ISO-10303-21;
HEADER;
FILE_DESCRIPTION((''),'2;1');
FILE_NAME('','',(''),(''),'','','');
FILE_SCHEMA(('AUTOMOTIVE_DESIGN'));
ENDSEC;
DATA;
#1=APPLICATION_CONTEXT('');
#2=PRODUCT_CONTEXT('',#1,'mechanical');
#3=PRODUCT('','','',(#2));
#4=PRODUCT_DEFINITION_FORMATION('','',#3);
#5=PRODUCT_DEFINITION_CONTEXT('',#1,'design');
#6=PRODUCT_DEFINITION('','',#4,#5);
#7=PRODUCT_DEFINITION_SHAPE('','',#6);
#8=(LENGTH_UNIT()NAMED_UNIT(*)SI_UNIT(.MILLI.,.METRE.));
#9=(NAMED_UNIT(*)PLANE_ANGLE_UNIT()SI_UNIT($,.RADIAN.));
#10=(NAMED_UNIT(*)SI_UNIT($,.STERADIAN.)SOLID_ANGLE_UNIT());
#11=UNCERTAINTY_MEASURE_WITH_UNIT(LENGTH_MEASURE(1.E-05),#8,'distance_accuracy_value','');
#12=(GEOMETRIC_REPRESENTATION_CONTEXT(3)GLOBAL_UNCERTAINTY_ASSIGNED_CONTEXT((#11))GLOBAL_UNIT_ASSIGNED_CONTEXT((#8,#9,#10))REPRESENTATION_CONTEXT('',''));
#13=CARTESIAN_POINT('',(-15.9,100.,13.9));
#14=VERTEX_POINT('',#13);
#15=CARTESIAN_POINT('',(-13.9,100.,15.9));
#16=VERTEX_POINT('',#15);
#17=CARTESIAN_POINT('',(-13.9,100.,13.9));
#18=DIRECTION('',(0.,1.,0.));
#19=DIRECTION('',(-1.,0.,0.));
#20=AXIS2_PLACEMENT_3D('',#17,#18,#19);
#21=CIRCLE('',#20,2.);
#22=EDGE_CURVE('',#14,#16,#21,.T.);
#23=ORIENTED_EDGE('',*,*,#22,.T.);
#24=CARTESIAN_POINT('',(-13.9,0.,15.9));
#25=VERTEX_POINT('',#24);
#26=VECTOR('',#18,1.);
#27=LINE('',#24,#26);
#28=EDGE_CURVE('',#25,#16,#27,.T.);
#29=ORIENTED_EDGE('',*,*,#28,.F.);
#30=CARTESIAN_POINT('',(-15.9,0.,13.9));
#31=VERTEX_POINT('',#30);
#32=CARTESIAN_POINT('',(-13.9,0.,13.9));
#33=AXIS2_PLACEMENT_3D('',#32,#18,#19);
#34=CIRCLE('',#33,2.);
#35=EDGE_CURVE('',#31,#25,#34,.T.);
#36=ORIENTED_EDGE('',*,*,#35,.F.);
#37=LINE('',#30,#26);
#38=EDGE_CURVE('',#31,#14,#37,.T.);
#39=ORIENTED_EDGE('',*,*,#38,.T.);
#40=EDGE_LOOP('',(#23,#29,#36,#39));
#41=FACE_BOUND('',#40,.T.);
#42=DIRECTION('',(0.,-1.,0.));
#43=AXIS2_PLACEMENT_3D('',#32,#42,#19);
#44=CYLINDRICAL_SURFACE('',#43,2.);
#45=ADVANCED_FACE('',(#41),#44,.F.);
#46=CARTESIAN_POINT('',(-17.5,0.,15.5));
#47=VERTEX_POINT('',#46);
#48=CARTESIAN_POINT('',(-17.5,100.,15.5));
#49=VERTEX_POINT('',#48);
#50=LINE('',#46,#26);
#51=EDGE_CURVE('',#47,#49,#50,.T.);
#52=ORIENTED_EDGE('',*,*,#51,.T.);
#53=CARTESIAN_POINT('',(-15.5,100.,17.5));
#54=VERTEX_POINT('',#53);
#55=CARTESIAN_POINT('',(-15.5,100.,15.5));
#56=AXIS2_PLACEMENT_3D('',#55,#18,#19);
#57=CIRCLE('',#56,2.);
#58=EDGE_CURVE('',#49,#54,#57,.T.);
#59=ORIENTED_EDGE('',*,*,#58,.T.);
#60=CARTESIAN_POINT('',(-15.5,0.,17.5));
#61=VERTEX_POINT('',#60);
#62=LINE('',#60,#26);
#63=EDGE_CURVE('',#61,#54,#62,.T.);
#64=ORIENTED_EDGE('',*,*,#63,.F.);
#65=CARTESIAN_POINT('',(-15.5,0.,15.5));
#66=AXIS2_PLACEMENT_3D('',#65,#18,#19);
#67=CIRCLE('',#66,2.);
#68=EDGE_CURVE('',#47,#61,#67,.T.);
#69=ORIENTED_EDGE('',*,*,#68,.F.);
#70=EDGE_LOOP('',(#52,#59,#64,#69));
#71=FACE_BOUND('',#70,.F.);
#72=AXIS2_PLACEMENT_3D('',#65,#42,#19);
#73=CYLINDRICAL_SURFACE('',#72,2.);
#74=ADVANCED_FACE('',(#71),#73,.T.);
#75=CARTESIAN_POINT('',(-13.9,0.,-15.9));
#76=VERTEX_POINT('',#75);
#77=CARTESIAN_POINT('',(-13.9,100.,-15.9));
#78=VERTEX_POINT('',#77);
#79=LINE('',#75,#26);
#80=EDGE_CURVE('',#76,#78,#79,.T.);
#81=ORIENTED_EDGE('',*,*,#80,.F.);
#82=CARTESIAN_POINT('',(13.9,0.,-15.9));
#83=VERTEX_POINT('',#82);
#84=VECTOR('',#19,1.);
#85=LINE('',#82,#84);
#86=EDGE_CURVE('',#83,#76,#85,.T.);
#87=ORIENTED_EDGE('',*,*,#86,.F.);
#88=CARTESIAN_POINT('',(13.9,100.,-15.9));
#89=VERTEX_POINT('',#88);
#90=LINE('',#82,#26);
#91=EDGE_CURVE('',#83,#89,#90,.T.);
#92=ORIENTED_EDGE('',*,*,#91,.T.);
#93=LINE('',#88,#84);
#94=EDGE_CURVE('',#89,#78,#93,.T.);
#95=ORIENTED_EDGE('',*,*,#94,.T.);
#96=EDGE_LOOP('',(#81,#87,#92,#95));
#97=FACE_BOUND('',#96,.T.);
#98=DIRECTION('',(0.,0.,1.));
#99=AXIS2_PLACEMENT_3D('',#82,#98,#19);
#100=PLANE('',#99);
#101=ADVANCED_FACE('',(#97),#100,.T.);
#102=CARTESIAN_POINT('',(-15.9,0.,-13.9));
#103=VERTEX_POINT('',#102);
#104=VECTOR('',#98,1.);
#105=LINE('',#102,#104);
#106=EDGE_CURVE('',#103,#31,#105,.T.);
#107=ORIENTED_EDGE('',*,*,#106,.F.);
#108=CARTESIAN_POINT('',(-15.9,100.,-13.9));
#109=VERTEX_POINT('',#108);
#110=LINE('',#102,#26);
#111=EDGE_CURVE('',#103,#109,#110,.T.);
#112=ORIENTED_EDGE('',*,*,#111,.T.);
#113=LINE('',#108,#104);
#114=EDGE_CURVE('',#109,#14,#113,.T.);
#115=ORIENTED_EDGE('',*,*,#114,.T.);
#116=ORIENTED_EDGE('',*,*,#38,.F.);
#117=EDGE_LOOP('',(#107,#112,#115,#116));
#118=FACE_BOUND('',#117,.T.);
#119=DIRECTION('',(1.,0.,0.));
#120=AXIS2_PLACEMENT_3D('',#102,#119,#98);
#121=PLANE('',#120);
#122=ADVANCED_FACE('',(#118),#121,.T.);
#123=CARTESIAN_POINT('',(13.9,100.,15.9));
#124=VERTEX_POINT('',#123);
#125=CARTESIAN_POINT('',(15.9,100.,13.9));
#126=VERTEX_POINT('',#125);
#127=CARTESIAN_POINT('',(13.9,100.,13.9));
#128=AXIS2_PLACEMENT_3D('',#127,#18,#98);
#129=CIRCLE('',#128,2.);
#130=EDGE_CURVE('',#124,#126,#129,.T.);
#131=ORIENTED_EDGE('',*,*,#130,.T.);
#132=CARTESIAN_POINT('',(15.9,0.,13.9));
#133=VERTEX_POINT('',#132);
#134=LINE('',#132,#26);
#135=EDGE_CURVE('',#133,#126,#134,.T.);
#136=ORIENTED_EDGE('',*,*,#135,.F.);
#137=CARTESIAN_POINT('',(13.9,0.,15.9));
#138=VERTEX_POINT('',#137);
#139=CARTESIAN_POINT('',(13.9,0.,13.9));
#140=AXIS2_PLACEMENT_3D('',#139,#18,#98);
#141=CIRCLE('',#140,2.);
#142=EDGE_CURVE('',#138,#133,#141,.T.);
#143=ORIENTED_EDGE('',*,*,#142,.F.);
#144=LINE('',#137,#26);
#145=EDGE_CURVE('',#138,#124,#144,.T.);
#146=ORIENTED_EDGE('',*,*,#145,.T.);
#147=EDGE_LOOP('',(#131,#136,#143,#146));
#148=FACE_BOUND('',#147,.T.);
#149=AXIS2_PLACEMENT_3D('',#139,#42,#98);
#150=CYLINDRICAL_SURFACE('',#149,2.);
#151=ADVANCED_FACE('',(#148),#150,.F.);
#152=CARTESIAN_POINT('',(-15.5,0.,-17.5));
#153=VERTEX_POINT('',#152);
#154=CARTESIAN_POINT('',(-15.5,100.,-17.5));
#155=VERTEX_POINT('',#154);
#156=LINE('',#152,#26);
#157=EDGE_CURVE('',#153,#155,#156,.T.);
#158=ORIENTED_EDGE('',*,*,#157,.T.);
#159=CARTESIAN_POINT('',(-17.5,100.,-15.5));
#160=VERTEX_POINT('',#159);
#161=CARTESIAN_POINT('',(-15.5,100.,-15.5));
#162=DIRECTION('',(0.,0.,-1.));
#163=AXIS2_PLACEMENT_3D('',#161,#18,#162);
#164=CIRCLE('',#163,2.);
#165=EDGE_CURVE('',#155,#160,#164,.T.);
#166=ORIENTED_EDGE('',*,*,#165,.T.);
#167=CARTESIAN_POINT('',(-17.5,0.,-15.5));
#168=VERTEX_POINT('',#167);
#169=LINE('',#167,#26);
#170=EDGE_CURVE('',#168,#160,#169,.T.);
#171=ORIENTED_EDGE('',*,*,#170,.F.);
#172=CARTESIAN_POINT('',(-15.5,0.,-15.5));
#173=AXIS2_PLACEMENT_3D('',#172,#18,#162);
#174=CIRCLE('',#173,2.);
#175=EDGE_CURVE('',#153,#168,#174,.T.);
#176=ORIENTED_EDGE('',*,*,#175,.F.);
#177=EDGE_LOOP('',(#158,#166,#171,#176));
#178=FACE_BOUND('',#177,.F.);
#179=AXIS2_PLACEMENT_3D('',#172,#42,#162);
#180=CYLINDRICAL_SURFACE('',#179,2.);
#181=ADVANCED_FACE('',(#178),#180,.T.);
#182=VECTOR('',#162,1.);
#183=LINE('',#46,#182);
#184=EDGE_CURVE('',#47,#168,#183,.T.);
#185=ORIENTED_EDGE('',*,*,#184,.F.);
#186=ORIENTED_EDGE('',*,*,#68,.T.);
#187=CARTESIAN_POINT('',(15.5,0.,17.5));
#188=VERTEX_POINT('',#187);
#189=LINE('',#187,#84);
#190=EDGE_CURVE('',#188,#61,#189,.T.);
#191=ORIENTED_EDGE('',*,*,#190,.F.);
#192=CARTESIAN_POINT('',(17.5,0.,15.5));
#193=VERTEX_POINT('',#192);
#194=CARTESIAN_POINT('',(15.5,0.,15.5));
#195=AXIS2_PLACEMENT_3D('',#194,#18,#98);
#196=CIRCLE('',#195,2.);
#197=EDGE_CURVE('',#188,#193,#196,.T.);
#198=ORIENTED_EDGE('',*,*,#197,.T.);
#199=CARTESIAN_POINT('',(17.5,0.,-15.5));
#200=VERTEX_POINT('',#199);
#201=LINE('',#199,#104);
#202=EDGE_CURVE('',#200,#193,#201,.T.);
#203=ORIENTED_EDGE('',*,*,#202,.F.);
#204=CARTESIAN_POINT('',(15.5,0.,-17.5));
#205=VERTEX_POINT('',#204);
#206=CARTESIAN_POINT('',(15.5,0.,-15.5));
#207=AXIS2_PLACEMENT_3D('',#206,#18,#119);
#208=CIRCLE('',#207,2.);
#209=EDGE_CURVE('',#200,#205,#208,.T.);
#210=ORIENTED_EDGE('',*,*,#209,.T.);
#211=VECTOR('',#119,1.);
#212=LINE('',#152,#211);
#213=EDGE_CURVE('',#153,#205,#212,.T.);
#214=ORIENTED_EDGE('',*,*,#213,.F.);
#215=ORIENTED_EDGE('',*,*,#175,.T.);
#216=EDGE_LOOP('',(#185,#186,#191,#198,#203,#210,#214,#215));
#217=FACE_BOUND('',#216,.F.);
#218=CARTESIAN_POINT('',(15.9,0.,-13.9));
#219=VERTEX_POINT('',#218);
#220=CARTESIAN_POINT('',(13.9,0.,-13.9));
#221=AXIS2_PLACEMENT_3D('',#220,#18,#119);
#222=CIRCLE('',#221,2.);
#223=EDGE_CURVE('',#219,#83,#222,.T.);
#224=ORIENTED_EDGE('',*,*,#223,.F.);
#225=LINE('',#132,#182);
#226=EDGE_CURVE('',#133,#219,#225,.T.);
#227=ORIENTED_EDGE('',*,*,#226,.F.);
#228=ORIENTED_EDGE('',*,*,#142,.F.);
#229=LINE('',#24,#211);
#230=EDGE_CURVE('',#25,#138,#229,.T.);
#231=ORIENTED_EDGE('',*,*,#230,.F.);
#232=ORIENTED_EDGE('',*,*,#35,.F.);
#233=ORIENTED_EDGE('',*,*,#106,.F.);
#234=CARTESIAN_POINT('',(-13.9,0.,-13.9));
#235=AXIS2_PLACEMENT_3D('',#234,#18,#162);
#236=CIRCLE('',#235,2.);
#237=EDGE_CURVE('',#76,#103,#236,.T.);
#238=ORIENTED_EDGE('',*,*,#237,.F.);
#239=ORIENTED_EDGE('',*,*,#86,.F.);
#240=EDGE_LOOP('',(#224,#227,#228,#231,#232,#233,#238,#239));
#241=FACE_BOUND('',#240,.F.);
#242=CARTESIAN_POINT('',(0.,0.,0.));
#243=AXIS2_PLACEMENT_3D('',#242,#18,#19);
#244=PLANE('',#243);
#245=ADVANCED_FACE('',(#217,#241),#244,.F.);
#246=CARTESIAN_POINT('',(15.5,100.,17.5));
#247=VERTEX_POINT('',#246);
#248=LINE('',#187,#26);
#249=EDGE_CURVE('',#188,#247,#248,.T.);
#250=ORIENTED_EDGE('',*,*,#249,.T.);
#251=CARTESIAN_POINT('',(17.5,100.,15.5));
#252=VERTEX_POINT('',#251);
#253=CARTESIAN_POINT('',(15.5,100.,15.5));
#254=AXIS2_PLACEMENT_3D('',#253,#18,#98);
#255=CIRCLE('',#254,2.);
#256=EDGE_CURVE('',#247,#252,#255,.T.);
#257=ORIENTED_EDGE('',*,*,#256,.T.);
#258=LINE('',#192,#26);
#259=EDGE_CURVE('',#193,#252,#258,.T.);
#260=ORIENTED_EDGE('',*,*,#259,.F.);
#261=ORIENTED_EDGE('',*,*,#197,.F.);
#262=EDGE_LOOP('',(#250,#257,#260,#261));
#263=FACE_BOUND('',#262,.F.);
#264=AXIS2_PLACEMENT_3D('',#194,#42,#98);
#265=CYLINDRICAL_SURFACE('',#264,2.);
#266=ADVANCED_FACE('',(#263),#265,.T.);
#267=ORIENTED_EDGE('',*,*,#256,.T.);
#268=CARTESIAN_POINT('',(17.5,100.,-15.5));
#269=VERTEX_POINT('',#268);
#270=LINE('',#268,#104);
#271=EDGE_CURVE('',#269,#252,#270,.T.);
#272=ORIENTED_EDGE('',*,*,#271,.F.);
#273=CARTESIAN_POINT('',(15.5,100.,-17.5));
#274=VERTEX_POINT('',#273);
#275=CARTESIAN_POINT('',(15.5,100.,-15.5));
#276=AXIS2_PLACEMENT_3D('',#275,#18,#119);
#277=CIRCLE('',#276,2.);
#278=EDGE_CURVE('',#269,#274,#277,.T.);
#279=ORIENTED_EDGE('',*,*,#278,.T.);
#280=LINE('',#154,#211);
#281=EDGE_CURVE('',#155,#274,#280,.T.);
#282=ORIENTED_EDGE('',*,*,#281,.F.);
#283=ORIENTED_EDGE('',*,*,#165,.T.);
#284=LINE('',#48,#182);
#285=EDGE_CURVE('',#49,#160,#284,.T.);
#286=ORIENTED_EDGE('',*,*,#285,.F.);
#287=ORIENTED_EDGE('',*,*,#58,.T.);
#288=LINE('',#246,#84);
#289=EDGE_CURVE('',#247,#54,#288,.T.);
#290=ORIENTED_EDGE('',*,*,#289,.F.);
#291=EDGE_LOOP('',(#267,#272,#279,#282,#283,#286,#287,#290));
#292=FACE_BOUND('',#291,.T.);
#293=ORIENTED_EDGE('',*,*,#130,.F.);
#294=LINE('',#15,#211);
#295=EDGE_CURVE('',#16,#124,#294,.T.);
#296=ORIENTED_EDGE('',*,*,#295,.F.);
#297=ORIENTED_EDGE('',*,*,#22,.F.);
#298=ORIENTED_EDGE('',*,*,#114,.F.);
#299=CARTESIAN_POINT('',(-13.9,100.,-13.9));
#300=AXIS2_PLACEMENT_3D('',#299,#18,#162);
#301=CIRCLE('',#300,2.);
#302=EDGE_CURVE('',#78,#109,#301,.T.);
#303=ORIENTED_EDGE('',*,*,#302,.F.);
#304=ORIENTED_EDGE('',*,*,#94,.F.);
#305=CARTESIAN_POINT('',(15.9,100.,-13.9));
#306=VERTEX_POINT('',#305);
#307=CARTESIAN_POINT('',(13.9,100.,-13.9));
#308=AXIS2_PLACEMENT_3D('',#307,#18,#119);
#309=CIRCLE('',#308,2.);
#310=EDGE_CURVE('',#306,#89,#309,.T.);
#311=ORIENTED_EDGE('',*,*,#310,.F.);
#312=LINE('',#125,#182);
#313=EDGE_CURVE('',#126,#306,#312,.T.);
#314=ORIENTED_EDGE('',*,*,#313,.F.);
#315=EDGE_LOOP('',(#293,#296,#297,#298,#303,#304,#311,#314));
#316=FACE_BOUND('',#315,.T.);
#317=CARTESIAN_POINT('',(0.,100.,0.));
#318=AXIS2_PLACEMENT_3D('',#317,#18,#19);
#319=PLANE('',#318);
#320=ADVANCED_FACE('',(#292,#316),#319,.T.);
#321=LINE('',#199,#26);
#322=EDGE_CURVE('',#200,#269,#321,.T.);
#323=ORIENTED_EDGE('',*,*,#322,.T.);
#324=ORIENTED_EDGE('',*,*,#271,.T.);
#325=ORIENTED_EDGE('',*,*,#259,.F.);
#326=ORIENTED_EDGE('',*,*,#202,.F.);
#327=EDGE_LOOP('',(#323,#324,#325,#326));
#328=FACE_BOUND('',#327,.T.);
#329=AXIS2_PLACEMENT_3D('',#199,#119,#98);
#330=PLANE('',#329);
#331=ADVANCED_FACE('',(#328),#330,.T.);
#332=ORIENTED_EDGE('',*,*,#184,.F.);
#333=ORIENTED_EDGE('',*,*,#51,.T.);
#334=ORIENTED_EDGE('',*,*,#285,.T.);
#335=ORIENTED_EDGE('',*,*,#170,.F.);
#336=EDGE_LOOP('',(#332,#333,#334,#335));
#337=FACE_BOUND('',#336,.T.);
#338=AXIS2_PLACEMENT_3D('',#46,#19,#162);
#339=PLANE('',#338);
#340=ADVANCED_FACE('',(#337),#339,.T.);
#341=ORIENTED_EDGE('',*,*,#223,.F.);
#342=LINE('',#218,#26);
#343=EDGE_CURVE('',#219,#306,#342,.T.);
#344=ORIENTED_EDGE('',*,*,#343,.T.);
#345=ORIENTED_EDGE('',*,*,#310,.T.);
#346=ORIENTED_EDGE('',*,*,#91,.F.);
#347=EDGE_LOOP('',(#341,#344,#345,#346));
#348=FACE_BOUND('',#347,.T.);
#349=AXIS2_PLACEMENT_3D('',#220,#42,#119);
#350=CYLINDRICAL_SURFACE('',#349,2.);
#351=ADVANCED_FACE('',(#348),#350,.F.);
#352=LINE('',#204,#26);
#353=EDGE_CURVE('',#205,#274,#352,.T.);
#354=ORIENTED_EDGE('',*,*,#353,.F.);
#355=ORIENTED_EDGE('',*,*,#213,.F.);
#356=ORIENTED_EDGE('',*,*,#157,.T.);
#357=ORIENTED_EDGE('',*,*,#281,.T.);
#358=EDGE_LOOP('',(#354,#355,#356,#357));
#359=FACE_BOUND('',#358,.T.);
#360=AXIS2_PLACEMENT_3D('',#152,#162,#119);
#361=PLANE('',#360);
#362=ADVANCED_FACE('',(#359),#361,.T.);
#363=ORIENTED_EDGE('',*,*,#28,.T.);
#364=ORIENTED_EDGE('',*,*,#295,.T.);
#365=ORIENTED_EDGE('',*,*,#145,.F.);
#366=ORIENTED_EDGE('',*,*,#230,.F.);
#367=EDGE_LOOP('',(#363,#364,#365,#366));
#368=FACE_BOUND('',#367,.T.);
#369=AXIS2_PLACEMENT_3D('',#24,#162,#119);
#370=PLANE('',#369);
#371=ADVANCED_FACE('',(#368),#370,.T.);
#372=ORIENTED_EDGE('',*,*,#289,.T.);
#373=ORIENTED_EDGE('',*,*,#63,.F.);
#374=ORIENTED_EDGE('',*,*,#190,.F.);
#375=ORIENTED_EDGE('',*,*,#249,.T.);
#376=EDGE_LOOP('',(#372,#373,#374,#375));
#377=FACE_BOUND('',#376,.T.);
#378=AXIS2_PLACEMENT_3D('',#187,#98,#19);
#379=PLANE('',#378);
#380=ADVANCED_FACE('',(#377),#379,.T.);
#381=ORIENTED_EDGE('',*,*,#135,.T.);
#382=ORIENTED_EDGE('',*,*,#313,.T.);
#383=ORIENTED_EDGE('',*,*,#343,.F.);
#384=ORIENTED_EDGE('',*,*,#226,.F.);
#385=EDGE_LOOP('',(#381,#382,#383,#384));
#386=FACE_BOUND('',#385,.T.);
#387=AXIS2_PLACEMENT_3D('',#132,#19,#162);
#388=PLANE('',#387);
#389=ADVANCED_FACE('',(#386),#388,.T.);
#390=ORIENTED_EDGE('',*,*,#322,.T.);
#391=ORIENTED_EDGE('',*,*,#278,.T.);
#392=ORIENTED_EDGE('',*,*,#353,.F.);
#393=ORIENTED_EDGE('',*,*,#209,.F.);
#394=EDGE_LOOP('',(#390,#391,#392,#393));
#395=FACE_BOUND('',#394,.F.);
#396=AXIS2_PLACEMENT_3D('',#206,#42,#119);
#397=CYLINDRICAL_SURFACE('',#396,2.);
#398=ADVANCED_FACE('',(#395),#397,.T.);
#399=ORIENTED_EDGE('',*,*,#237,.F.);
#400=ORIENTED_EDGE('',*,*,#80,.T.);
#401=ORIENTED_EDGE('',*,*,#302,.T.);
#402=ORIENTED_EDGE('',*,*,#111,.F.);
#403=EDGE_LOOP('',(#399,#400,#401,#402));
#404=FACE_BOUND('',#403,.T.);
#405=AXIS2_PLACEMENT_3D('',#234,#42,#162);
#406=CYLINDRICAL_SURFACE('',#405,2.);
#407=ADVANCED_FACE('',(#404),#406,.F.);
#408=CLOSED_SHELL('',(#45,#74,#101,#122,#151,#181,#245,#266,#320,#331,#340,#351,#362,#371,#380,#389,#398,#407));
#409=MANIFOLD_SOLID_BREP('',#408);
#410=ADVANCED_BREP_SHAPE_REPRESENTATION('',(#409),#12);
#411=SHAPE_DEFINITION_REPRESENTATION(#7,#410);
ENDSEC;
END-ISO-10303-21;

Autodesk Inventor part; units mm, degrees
ref_plane "YZ Plane" through (0, 0, 0) normal (1, 0, 0) x (0, 1, 0)
ref_plane "XZ Plane" through (0, 0, 0) normal (0, 1, 0) x (-1, 0, 0)
ref_plane "XY Plane" through (0, 0, 0) normal (0, 0, 1) x (1, 0, 0)
sketch "Sketch1" plane through (0, 0, 0) normal (0, 1, 0) x (-1, 0, 0)
  line L0 (-15.5, 17.5) -> (15.5, 17.5)
  line L1 (17.5, 15.5) -> (17.5, -15.5)
  line L2 (15.5, -17.5) -> (-15.5, -17.5)
  line L3 (-17.5, -15.5) -> (-17.5, 15.5)
  line L4 (-17.5, 17.5) -> (17.5, -17.5) construction
  line L5 (17.5, 17.5) -> (-17.5, -17.5) construction
  line L6 (-13.9, -15.9) -> (13.9, -15.9)
  line L7 (15.9, -13.9) -> (15.9, 13.9)
  line L8 (13.9, 15.9) -> (-13.9, 15.9)
  line L9 (-15.9, 13.9) -> (-15.9, -13.9)
  arc A0 (17.5, 15.5) -> (15.5, 17.5) centre (15.5, 15.5) ccw
  arc A1 (15.5, -17.5) -> (17.5, -15.5) centre (15.5, -15.5) ccw
  arc A2 (-17.5, -15.5) -> (-15.5, -17.5) centre (-15.5, -15.5) ccw
  arc A3 (-15.5, 17.5) -> (-17.5, 15.5) centre (-15.5, 15.5) ccw
  arc A4 (15.9, 13.9) -> (13.9, 15.9) centre (13.9, 13.9) ccw
  arc A5 (13.9, -15.9) -> (15.9, -13.9) centre (13.9, -13.9) ccw
  arc A6 (-15.9, -13.9) -> (-13.9, -15.9) centre (-13.9, -13.9) ccw
  arc A7 (-13.9, 15.9) -> (-15.9, 13.9) centre (-13.9, 13.9) ccw
  point P0 (0, 0)
  dimension "d0" = 35
  dimension "d1" = 35
  dimension "d2" = 1.6
  dimension "d3" = 2
extrude "Extrusion1" add sketch "Sketch1" along normal blind 100
properties part number "AlignmentTube" material "Steel, Mild"
